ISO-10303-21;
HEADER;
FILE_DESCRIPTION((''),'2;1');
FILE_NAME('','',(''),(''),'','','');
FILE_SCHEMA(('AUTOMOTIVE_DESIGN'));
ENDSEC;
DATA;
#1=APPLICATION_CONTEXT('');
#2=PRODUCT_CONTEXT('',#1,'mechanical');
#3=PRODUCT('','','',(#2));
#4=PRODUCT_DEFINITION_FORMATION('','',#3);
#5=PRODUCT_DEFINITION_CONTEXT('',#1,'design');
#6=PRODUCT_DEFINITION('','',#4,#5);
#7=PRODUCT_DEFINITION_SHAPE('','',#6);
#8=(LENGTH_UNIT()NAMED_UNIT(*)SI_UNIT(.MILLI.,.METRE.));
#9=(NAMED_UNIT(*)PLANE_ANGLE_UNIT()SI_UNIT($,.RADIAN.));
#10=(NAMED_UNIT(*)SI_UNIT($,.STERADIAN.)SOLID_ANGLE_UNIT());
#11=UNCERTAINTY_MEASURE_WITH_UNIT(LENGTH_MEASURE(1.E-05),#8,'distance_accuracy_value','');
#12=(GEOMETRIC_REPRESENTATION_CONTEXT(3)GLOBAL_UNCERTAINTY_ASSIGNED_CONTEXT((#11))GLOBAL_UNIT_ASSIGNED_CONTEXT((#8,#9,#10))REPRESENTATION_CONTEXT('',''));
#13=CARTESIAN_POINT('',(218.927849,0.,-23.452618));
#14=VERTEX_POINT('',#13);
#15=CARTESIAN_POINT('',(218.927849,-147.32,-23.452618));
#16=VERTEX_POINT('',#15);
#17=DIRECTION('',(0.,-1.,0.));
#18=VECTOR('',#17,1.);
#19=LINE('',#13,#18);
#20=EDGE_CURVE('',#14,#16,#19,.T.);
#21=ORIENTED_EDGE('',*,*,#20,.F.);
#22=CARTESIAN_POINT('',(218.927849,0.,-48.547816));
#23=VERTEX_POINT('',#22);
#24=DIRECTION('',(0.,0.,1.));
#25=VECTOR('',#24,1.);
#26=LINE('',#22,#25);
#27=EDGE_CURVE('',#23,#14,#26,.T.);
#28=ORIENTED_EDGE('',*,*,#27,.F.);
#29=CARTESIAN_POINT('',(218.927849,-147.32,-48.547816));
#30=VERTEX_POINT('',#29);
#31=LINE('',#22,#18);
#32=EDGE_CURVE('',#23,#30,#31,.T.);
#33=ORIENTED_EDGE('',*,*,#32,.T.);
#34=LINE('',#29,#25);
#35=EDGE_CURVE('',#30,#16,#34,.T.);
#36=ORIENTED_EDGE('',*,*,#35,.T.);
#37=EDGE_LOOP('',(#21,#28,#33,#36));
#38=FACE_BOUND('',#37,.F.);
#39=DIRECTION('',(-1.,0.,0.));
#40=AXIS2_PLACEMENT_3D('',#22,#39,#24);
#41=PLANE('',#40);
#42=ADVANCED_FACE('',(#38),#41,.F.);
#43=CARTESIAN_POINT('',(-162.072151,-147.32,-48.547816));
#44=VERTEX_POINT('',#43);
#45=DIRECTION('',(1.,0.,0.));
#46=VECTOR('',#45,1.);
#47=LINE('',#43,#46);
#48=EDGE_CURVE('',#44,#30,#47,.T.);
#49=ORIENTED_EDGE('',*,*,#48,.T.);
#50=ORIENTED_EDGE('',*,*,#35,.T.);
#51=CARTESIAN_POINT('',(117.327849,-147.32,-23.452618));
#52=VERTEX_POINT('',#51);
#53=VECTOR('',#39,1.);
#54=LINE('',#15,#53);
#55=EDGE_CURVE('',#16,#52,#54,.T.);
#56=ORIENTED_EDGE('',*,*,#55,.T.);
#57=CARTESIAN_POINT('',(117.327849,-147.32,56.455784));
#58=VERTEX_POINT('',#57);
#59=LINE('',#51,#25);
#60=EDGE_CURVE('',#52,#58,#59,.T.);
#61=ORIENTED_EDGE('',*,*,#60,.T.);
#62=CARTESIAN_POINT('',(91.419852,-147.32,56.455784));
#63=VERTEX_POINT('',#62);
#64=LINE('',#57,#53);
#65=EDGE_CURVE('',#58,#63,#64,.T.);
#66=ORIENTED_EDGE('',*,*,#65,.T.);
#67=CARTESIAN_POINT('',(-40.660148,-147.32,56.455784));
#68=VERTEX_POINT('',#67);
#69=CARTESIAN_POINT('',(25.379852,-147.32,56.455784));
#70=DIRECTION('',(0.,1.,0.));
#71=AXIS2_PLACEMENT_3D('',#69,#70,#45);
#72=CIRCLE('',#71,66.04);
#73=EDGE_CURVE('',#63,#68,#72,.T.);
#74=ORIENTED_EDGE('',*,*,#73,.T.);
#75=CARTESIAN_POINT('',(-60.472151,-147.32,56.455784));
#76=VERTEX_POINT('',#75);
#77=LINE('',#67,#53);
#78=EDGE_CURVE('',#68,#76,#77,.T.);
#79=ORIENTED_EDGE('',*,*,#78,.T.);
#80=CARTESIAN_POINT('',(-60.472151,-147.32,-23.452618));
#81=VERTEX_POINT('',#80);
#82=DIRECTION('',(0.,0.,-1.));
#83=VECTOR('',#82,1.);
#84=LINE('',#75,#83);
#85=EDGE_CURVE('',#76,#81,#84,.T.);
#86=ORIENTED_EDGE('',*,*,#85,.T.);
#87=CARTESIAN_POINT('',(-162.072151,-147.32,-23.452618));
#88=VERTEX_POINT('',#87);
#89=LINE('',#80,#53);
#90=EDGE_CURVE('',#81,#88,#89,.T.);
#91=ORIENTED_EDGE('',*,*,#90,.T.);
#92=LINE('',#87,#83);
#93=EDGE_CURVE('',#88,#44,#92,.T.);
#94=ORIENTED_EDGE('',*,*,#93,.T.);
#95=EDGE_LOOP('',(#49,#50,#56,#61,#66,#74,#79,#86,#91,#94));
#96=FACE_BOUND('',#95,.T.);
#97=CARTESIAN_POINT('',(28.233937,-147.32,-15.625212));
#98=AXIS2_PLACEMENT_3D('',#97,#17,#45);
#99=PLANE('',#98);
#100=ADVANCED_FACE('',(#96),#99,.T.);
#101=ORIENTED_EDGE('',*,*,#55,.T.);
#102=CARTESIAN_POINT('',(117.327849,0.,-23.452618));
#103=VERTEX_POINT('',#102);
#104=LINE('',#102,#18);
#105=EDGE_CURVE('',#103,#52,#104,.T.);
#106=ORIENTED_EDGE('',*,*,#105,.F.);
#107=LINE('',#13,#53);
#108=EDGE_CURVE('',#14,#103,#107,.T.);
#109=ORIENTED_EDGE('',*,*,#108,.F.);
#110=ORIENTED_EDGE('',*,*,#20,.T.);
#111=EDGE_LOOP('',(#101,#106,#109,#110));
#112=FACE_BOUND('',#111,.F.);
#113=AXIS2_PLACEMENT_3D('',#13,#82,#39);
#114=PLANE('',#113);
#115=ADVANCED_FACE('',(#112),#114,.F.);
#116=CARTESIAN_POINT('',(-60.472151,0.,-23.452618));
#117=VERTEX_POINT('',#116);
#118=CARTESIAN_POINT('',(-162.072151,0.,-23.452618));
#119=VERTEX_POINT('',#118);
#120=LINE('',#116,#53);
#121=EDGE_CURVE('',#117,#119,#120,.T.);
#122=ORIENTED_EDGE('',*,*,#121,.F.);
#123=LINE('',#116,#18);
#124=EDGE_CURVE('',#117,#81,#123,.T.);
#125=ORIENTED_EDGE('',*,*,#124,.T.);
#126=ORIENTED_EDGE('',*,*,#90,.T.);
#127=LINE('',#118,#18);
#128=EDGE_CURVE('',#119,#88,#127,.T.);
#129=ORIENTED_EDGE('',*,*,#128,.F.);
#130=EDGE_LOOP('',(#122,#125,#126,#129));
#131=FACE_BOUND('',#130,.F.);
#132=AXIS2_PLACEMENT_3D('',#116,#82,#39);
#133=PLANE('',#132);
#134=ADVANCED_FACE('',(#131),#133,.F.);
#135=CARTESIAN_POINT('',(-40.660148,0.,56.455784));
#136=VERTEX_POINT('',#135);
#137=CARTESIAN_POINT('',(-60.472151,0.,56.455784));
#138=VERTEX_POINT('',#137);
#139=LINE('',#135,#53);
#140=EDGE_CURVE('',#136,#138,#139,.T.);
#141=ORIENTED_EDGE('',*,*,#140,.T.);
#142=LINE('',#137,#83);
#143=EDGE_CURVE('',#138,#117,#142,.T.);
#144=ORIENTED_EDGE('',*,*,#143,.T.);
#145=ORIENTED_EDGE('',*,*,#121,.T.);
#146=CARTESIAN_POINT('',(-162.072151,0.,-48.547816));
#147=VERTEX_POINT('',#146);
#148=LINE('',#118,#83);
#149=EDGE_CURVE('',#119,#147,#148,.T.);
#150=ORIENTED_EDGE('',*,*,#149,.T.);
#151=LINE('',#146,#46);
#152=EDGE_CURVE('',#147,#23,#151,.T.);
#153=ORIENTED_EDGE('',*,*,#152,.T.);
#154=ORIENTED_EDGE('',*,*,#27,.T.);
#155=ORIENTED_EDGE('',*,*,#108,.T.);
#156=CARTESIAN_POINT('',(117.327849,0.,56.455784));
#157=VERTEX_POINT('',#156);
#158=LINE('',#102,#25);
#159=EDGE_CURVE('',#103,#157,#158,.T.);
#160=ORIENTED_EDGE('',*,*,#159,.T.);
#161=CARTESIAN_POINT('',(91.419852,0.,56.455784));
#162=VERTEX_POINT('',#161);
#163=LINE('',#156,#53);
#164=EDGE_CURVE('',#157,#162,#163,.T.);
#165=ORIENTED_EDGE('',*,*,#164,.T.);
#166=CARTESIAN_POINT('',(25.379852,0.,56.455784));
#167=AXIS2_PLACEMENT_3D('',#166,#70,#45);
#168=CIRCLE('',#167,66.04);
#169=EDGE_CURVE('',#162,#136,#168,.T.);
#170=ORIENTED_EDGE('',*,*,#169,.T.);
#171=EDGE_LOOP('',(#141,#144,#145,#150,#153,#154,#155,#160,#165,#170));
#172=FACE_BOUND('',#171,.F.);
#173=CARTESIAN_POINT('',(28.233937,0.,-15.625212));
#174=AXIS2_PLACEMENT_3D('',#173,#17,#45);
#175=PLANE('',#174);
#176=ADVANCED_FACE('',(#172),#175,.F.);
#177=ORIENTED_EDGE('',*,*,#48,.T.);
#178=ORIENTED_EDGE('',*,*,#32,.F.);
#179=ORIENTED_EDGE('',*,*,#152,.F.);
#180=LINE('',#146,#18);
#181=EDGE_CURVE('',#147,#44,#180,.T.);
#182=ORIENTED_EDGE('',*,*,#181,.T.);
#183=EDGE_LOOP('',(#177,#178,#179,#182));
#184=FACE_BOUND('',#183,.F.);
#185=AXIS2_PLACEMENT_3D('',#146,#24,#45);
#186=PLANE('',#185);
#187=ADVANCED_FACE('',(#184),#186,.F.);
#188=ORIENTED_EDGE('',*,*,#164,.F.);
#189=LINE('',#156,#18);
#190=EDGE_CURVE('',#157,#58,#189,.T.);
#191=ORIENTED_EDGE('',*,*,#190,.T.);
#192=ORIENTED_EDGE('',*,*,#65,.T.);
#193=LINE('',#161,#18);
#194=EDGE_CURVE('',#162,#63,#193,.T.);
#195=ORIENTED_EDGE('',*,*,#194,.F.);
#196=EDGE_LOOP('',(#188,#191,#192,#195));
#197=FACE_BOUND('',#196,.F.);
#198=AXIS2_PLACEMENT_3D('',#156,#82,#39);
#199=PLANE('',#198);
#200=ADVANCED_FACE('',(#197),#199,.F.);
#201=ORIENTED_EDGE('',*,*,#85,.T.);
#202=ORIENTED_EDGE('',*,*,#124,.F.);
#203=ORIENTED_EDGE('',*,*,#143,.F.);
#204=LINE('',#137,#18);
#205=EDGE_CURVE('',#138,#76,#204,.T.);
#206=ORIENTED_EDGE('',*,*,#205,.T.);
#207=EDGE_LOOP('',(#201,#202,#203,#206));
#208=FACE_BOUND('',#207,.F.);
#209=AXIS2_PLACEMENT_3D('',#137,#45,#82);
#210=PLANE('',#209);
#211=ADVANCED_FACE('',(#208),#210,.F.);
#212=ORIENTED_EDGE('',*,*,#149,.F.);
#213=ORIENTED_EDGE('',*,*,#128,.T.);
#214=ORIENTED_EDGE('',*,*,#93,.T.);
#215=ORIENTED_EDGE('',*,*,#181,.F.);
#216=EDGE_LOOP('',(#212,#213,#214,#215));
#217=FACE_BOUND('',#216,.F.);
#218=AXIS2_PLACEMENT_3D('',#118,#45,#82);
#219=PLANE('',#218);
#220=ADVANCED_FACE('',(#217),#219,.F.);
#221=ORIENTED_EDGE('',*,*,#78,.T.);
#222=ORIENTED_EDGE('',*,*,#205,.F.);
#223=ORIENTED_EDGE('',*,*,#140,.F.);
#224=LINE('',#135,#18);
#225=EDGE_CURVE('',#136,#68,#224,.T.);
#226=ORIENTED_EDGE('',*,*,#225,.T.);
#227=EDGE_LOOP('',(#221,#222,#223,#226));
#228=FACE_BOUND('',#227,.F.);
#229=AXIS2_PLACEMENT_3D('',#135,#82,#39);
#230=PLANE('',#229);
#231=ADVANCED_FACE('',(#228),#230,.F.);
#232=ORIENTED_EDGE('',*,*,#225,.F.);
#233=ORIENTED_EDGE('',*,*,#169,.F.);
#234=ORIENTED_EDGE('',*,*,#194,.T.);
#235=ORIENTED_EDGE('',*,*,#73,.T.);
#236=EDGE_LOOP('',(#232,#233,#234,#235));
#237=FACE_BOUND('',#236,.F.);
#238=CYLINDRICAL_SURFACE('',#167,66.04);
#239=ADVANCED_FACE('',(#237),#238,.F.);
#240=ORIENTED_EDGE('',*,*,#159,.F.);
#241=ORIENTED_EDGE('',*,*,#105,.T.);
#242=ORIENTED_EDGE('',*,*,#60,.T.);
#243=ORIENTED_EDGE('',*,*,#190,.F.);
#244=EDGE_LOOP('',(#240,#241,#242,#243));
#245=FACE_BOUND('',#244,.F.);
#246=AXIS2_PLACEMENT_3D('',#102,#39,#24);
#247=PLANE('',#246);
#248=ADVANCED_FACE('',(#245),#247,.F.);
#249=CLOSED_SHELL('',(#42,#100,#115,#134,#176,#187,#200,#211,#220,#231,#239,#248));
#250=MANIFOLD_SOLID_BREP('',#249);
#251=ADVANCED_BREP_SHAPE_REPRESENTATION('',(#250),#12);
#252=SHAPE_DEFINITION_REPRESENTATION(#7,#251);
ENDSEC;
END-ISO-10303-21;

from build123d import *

# Parameters (mm, degrees)
F1_DEPTH = 147.32


with BuildPart() as f1:
    # F0 (on Front) → F1 (new body)
    with BuildSketch(Plane.XZ):
        with BuildLine():
            Line((-60.472151, -23.452618), (-162.072151, -23.452618))
            Line((-162.072151, -23.452618), (-162.072151, -48.547816))
            Line((-162.072151, -48.547816), (218.927849, -48.547816))
            Line((218.927849, -48.547816), (218.927849, -23.452618))
            Line((218.927849, -23.452618), (117.327849, -23.452618))
            Line((117.327849, -23.452618), (117.327849, 56.455784))
            Line((117.327849, 56.455784), (91.419852, 56.455784))
            ThreePointArc((91.419852, 56.455784), (25.379852, -9.584216), (-40.660148, 56.455784))
            Line((-40.660148, 56.455784), (-60.472151, 56.455784))
            Line((-60.472151, 56.455784), (-60.472151, -23.452618))
        make_face()
    extrude(amount=F1_DEPTH)


solid = f1.part
